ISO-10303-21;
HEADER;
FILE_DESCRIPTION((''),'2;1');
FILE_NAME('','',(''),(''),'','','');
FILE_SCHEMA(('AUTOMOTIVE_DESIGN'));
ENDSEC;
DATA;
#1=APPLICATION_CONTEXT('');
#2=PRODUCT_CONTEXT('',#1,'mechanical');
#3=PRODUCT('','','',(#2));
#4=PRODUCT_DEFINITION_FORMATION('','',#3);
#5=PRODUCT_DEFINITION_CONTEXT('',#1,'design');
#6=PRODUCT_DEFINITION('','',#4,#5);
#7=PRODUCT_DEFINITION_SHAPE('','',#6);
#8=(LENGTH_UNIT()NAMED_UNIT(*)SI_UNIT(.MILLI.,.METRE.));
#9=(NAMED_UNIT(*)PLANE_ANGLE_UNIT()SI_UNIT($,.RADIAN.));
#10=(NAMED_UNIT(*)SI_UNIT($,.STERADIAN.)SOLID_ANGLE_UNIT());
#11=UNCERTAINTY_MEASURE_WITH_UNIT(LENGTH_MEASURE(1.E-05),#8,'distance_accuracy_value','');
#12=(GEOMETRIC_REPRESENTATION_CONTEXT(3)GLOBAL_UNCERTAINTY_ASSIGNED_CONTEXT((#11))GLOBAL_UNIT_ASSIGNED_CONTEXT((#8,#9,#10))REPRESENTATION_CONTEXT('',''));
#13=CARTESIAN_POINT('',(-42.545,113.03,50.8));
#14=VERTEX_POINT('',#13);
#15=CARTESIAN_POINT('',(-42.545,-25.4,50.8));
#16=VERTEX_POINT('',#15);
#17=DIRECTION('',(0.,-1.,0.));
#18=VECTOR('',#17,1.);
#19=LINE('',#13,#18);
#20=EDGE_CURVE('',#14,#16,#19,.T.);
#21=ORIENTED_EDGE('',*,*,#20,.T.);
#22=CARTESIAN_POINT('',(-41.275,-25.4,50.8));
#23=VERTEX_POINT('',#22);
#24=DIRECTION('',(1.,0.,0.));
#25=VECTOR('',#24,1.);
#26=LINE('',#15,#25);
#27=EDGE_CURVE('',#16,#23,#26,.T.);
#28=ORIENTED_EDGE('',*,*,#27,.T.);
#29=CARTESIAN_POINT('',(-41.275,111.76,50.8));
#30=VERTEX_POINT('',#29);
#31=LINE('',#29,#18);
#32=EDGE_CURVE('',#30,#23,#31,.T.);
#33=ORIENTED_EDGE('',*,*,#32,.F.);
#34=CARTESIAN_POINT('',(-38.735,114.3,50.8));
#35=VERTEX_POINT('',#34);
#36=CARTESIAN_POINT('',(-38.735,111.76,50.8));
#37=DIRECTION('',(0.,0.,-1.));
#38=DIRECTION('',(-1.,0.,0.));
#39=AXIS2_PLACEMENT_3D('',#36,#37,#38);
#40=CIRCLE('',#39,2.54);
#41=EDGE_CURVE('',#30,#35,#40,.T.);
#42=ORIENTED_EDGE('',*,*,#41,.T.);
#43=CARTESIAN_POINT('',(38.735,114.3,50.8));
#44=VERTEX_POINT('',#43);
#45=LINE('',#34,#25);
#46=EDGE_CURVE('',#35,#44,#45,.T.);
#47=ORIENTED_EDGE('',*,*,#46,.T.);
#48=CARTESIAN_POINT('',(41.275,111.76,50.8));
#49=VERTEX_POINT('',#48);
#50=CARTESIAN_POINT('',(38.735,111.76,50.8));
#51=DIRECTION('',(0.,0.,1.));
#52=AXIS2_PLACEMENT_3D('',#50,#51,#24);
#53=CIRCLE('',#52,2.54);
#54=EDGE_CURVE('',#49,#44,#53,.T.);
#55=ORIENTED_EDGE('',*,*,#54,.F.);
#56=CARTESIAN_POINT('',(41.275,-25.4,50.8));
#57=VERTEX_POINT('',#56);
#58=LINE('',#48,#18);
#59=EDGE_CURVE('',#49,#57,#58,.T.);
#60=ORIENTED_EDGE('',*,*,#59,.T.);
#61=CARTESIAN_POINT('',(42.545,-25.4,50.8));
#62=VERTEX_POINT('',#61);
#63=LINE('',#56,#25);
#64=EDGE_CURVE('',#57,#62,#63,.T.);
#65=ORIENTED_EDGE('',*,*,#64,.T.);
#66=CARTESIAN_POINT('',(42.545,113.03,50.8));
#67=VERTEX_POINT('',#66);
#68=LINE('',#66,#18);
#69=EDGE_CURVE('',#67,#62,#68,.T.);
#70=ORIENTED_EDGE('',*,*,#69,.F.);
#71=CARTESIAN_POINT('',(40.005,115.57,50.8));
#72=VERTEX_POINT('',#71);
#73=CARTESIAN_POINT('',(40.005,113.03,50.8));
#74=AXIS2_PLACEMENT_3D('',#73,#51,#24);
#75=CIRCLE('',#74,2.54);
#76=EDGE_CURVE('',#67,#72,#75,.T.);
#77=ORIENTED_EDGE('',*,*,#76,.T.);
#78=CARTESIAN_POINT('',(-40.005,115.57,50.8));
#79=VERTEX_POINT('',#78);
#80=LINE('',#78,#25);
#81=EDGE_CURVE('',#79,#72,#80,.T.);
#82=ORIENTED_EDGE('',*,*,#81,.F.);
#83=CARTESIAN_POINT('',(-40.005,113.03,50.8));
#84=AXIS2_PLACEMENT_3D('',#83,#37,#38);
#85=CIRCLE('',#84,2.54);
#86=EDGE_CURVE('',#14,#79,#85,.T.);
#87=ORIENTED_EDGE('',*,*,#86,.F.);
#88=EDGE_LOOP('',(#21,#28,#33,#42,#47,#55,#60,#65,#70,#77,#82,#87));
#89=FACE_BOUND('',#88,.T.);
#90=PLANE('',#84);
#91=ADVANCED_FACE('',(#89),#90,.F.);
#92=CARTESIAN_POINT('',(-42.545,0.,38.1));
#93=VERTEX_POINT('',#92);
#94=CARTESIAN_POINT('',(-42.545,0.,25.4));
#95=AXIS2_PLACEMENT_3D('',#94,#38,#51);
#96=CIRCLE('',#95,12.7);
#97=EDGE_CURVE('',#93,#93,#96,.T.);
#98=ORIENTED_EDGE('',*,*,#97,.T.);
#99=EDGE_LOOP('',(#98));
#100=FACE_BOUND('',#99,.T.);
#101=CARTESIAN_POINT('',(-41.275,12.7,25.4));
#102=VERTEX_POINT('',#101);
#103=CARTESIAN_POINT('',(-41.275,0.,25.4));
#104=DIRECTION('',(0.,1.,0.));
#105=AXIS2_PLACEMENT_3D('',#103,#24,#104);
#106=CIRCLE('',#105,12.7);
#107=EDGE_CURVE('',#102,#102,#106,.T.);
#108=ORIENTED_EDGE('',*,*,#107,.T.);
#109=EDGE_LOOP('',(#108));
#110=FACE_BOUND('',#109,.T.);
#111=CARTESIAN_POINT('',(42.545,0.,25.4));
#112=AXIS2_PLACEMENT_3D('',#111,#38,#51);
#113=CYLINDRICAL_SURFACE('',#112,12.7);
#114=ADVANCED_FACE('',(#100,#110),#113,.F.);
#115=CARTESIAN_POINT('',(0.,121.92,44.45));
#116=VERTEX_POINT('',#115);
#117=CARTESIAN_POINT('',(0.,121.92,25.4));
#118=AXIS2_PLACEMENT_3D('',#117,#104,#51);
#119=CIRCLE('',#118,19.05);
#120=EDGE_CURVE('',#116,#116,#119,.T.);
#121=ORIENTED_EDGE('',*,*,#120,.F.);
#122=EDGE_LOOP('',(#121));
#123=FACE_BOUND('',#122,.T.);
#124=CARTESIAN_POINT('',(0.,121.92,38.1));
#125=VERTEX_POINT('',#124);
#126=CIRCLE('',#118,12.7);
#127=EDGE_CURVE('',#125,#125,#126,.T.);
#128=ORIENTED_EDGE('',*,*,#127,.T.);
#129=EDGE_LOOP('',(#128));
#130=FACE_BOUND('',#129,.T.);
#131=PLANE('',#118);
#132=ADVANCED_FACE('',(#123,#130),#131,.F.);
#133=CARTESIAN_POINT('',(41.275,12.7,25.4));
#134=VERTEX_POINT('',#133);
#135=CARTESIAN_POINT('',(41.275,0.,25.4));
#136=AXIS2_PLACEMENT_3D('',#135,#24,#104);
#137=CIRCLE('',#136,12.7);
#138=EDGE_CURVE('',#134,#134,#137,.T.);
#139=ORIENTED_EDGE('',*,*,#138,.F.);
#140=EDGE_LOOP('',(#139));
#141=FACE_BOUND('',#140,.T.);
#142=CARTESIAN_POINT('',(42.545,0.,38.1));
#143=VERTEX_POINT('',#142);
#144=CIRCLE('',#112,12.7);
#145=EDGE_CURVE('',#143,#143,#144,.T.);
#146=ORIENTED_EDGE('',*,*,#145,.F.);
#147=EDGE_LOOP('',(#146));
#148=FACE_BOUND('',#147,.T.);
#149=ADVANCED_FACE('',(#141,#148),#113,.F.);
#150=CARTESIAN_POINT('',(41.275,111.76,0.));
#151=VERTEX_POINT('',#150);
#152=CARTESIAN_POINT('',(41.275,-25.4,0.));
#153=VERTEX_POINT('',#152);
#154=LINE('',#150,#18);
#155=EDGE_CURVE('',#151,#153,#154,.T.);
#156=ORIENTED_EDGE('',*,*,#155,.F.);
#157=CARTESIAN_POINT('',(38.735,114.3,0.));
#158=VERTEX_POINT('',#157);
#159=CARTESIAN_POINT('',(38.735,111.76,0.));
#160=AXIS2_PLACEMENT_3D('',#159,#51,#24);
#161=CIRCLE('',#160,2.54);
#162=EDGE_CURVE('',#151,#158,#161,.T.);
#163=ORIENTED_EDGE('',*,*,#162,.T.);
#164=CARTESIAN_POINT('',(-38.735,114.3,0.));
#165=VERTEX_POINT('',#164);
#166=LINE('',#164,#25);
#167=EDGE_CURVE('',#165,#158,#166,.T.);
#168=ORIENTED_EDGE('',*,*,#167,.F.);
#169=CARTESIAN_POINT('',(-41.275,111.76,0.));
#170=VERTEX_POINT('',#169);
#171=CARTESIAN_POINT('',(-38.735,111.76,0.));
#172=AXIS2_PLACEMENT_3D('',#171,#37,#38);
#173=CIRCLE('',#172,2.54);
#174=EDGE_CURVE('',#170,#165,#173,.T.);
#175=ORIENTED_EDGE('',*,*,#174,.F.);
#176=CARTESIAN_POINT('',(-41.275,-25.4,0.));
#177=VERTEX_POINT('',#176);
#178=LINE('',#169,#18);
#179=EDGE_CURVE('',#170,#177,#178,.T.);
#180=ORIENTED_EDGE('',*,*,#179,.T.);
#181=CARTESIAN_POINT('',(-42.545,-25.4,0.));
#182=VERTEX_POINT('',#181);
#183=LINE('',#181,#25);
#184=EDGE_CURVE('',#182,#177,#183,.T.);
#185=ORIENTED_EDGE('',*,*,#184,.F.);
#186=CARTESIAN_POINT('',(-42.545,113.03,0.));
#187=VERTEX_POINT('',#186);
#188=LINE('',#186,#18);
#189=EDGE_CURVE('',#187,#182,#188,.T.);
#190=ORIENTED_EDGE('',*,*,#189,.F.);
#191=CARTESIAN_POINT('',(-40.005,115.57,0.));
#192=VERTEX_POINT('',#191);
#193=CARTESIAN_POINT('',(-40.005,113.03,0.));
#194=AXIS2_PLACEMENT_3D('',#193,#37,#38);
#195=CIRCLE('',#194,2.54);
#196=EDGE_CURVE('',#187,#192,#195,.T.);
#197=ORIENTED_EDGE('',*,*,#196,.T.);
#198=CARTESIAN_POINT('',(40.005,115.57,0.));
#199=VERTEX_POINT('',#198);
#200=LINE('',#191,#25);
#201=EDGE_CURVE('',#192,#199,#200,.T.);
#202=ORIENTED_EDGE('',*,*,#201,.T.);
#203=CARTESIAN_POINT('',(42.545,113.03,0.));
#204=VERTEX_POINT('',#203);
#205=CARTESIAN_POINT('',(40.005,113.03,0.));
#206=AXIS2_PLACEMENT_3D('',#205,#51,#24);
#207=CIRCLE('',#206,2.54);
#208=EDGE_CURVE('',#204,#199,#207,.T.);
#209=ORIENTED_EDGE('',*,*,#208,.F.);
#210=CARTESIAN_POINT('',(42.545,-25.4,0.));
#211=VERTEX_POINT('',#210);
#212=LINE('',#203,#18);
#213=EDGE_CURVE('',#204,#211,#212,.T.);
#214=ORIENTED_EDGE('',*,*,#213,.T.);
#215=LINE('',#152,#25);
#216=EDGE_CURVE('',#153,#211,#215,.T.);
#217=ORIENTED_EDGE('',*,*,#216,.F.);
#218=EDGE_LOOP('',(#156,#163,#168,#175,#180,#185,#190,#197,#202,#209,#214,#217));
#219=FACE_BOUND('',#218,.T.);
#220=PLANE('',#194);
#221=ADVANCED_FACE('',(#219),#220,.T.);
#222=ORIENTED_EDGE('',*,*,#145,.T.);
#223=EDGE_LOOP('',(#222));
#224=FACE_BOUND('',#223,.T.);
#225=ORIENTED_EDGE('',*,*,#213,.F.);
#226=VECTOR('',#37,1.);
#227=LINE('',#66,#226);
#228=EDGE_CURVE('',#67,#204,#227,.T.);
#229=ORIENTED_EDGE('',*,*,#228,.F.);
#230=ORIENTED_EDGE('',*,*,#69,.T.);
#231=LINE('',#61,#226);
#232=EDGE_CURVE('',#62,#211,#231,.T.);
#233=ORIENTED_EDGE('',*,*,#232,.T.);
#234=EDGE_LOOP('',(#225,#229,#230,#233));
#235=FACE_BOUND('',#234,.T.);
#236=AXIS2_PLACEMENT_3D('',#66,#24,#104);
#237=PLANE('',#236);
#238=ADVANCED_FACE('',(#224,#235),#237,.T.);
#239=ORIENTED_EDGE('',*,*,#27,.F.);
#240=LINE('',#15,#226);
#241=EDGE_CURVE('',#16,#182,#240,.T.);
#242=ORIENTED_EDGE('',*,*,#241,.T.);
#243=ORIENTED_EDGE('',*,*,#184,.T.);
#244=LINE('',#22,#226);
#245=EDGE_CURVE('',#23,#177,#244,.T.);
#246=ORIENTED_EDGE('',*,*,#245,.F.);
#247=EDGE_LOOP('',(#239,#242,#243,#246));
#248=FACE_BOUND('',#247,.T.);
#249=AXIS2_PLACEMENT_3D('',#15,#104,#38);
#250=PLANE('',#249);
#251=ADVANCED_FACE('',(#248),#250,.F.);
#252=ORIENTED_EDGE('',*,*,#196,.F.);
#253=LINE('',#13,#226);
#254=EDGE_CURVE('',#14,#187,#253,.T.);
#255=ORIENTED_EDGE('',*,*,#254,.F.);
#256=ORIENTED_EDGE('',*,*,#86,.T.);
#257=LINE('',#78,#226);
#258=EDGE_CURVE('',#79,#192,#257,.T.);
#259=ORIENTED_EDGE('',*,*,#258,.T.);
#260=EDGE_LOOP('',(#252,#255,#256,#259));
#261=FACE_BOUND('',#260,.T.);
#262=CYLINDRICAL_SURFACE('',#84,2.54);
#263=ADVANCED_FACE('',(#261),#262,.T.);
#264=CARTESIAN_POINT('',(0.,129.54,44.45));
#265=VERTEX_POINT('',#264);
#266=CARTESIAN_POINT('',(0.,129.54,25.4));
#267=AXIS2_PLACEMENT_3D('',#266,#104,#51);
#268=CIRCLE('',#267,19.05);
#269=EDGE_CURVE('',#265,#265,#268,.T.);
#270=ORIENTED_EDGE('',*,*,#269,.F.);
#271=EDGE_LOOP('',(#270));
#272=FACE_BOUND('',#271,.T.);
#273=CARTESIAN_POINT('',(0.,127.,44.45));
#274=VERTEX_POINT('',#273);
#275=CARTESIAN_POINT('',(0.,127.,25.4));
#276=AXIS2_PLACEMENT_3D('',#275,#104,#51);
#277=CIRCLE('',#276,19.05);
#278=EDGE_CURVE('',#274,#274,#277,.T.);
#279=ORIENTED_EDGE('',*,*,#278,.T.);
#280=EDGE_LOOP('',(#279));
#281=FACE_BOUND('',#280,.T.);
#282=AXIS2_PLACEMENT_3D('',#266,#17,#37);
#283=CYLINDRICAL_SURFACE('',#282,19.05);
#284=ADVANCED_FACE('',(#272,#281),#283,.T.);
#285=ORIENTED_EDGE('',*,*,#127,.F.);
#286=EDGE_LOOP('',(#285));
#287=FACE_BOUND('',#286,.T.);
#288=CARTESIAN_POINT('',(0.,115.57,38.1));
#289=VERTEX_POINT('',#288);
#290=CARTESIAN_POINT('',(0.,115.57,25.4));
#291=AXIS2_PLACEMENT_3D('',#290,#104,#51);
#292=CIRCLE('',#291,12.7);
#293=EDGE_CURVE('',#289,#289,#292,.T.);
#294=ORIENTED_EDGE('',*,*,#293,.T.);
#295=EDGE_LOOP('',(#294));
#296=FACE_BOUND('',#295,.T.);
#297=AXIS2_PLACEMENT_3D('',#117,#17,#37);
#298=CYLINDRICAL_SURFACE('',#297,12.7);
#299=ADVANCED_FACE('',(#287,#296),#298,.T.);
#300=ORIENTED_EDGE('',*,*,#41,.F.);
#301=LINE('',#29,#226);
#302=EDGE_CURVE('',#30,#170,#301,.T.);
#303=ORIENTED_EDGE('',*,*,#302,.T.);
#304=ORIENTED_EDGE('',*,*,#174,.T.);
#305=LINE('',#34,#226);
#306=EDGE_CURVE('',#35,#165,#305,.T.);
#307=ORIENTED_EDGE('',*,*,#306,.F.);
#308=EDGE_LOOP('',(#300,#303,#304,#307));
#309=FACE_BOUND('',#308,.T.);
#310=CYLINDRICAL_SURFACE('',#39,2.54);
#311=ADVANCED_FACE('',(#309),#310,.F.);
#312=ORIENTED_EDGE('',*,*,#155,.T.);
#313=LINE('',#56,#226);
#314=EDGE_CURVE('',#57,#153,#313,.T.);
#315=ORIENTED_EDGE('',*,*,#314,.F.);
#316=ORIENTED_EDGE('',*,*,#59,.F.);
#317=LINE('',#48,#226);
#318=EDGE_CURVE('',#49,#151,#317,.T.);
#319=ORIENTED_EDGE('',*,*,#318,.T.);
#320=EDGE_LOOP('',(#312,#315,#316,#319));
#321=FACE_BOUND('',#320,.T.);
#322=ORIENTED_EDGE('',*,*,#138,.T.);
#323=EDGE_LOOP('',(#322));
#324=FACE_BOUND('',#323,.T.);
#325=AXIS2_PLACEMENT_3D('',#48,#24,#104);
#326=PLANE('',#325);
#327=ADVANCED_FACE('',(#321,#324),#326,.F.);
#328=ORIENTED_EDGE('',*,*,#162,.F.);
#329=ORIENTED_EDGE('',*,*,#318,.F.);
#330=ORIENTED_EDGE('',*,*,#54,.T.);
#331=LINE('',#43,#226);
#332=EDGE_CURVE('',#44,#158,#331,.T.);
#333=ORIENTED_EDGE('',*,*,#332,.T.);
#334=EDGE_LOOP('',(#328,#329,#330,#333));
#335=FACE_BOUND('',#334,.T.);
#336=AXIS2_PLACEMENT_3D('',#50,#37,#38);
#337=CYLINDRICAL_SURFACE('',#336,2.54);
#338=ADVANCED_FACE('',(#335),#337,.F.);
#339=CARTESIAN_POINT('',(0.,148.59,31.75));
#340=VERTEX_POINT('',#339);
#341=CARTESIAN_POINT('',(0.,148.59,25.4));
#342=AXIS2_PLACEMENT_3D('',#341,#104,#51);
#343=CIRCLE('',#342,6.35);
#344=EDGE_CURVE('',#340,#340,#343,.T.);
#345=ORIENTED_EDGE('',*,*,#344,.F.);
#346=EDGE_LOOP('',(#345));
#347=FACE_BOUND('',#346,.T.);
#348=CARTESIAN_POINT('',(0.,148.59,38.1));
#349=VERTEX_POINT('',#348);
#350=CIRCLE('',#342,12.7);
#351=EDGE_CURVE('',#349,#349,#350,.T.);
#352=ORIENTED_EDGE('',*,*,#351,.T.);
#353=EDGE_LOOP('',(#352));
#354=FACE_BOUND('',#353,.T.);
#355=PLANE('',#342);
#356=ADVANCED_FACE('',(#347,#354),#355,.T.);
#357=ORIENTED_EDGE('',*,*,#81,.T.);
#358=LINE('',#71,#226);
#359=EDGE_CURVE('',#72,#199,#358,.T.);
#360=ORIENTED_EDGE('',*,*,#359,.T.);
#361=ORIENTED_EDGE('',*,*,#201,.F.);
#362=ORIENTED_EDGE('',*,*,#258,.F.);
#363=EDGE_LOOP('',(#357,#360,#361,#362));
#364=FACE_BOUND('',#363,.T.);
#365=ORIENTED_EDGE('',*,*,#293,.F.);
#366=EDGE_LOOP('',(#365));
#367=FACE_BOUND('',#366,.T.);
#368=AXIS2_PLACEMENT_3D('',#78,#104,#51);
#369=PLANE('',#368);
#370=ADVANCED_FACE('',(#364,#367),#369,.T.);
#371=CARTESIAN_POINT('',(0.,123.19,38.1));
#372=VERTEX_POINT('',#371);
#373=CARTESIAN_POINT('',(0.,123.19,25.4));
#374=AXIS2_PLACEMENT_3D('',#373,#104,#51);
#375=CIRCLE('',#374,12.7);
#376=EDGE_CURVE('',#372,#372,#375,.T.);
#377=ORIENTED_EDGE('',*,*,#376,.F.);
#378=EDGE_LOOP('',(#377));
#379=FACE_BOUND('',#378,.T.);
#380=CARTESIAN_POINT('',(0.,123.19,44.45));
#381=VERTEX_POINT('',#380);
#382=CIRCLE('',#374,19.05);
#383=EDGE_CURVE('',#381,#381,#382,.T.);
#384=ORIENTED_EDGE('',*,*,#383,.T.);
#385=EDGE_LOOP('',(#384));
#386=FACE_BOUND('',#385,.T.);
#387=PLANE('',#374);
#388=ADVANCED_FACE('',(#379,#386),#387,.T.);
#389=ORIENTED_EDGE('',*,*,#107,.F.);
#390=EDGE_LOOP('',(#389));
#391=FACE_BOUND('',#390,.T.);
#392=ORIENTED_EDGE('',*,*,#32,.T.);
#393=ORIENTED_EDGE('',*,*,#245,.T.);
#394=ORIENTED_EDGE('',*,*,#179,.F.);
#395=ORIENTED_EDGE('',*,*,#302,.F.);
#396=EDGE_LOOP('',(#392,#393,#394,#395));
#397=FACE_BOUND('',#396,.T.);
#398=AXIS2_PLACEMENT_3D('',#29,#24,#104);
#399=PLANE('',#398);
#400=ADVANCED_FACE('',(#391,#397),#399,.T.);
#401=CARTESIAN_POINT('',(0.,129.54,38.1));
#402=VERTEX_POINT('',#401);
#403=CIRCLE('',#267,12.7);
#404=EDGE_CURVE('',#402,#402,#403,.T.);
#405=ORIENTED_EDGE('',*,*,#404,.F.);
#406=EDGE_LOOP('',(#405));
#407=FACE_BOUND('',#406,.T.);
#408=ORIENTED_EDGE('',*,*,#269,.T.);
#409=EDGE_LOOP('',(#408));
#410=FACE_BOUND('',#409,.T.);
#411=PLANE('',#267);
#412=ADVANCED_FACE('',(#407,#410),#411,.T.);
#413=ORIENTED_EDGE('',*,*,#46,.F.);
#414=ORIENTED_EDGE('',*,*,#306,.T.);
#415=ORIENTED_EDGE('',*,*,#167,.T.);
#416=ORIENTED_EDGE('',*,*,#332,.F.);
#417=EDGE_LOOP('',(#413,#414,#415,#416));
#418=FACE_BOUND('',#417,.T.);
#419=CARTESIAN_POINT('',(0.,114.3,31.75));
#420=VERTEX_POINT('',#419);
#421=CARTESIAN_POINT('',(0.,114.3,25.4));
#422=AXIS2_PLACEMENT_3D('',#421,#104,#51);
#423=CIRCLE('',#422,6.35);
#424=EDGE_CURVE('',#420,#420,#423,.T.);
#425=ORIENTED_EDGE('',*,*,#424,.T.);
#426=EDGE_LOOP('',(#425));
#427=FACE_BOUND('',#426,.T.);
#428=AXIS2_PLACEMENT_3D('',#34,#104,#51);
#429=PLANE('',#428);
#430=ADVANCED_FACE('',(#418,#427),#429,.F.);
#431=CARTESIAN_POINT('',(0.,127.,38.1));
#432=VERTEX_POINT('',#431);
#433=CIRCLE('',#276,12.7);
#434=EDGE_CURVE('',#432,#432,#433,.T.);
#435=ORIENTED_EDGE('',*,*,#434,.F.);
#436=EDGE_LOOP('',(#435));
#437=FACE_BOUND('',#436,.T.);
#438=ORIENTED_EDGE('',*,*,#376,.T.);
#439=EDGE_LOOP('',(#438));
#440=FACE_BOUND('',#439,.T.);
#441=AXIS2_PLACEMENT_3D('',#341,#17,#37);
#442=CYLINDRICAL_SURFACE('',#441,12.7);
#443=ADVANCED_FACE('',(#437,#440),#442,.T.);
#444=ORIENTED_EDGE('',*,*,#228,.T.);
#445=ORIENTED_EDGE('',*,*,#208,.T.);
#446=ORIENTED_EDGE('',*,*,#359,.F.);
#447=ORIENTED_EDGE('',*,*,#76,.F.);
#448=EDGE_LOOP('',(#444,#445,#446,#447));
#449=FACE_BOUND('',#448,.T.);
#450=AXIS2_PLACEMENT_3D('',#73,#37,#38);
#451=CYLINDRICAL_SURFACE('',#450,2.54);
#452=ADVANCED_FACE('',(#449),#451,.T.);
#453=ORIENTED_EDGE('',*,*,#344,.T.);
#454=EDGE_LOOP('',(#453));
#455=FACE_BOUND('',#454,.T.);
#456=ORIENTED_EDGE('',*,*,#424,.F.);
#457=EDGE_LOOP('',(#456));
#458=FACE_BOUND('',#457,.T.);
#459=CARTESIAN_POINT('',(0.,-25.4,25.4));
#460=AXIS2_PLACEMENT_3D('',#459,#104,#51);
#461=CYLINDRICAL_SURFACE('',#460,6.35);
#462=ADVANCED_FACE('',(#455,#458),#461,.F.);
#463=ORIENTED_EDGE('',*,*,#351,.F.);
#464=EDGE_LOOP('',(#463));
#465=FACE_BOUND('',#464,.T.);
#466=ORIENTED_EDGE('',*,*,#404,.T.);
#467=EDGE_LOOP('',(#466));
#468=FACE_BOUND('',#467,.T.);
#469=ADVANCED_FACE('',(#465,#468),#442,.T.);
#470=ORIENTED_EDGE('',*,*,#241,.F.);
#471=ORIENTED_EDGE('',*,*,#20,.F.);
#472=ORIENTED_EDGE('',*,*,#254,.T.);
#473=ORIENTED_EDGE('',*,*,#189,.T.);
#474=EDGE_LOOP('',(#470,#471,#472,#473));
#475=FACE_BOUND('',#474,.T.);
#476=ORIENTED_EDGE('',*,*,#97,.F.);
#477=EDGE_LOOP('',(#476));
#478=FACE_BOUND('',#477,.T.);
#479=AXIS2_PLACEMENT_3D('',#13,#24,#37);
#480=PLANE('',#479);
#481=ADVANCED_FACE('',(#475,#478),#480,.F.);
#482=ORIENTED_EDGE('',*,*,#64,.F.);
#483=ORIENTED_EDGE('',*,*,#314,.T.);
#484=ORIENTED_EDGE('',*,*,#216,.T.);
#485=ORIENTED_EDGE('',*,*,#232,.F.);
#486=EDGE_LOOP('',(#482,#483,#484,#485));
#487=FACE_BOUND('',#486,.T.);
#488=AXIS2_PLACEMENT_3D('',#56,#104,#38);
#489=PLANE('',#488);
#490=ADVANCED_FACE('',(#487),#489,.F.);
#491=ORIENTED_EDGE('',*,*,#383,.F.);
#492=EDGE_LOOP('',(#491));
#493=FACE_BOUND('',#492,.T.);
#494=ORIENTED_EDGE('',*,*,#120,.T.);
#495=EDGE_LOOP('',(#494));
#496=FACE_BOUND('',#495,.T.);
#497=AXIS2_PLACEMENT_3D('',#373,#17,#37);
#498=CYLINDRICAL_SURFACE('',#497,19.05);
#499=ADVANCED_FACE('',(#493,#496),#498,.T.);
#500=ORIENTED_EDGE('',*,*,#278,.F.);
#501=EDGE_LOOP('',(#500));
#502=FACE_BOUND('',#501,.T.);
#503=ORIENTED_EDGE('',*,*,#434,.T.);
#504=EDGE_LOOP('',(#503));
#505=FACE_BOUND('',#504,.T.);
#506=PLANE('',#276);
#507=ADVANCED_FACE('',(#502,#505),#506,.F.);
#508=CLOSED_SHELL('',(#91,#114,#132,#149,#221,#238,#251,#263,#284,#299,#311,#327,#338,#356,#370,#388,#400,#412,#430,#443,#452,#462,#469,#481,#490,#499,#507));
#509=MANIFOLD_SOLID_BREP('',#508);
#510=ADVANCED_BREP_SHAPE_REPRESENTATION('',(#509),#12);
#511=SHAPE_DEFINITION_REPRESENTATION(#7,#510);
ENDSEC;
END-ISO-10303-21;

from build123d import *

# Parameters (mm, degrees)
BOSS_EXTRUDE1_DEPTH = 50.8
SKETCH2_R           = 12.7
CUT_EXTRUDE1_DEPTH  = 86.09
SKETCH3_R           = 12.7
BOSS_EXTRUDE2_DEPTH = 6.35
SKETCH4_R           = 19.05
BOSS_EXTRUDE3_DEPTH = 1.27
SKETCH5_R           = 12.7
BOSS_EXTRUDE4_DEPTH = 25.4
SKETCH6_R           = 6.35
CUT_EXTRUDE2_DEPTH  = 174.99
SKETCH7_R           = 19.05
SKETCH7_R_2         = 12.7
BOSS_EXTRUDE5_DEPTH = 2.54


with BuildPart() as part:
    # Sketch1 → Boss-Extrude1 (new body)
    with BuildSketch(Plane.XY):
        with BuildLine():
            Line((42.545, 113.03), (42.545, -25.4))
            Line((42.545, -25.4), (41.275, -25.4))
            Line((41.275, -25.4), (41.275, 111.76))
            ThreePointArc((41.275, 111.76), (40.531051224, 113.556051224), (38.735, 114.3))
            Line((38.735, 114.3), (-38.735, 114.3))
            ThreePointArc((-38.735, 114.3), (-40.531051224, 113.556051224), (-41.275, 111.76))
            Line((-41.275, 111.76), (-41.275, -25.4))
            Line((-41.275, -25.4), (-42.545, -25.4))
            Line((-42.545, -25.4), (-42.545, 113.03))
            ThreePointArc((-42.545, 113.03), (-41.801051224, 114.826051224), (-40.005, 115.57))
            Line((-40.005, 115.57), (40.005, 115.57))
            ThreePointArc((40.005, 115.57), (41.801051224, 114.826051224), (42.545, 113.03))
        make_face()
    extrude(amount=BOSS_EXTRUDE1_DEPTH)

    # Sketch2 → Cut-Extrude1 (cut, through all)
    with BuildSketch(Plane.ZY.offset(42.545)):
        with Locations((25.4, 0)):
            Circle(SKETCH2_R)
    extrude(amount=-CUT_EXTRUDE1_DEPTH, mode=Mode.SUBTRACT)

    # Sketch3 → Boss-Extrude2 (add)
    with BuildSketch(Plane(origin=(0, 115.57, 0), x_dir=(1, 0, 0), z_dir=(0, 1, 0))):
        with Locations((0, -25.4)):
            Circle(SKETCH3_R)
    extrude(amount=BOSS_EXTRUDE2_DEPTH)

    # Sketch4 → Boss-Extrude3 (add)
    with BuildSketch(Plane(origin=(0, 121.92, 0), x_dir=(1, 0, 0), z_dir=(0, 1, 0))):
        with Locations((0, -25.4)):
            Circle(SKETCH4_R)
    extrude(amount=BOSS_EXTRUDE3_DEPTH)

    # Sketch5 → Boss-Extrude4 (add)
    with BuildSketch(Plane(origin=(0, 123.19, 0), x_dir=(1, 0, 0), z_dir=(0, 1, 0))):
        with Locations((0, -25.4)):
            Circle(SKETCH5_R)
    extrude(amount=BOSS_EXTRUDE4_DEPTH)

    # Sketch6 → Cut-Extrude2 (cut, through all)
    with BuildSketch(Plane(origin=(0, 148.59, 0), x_dir=(1, 0, 0), z_dir=(0, 1, 0))):
        with Locations((0, -25.4)):
            Circle(SKETCH6_R)
    extrude(amount=-CUT_EXTRUDE2_DEPTH, mode=Mode.SUBTRACT)

    # Sketch7 → Boss-Extrude5 (add)
    with BuildSketch(Plane(origin=(0, 127, 0), x_dir=(1, 0, 0), z_dir=(0, 1, 0))):
        with Locations((0, -25.4)):
            Circle(SKETCH7_R)
        with Locations((0, -25.4)):
            Circle(SKETCH7_R_2, mode=Mode.SUBTRACT)
    extrude(amount=BOSS_EXTRUDE5_DEPTH)


solid = part.part
